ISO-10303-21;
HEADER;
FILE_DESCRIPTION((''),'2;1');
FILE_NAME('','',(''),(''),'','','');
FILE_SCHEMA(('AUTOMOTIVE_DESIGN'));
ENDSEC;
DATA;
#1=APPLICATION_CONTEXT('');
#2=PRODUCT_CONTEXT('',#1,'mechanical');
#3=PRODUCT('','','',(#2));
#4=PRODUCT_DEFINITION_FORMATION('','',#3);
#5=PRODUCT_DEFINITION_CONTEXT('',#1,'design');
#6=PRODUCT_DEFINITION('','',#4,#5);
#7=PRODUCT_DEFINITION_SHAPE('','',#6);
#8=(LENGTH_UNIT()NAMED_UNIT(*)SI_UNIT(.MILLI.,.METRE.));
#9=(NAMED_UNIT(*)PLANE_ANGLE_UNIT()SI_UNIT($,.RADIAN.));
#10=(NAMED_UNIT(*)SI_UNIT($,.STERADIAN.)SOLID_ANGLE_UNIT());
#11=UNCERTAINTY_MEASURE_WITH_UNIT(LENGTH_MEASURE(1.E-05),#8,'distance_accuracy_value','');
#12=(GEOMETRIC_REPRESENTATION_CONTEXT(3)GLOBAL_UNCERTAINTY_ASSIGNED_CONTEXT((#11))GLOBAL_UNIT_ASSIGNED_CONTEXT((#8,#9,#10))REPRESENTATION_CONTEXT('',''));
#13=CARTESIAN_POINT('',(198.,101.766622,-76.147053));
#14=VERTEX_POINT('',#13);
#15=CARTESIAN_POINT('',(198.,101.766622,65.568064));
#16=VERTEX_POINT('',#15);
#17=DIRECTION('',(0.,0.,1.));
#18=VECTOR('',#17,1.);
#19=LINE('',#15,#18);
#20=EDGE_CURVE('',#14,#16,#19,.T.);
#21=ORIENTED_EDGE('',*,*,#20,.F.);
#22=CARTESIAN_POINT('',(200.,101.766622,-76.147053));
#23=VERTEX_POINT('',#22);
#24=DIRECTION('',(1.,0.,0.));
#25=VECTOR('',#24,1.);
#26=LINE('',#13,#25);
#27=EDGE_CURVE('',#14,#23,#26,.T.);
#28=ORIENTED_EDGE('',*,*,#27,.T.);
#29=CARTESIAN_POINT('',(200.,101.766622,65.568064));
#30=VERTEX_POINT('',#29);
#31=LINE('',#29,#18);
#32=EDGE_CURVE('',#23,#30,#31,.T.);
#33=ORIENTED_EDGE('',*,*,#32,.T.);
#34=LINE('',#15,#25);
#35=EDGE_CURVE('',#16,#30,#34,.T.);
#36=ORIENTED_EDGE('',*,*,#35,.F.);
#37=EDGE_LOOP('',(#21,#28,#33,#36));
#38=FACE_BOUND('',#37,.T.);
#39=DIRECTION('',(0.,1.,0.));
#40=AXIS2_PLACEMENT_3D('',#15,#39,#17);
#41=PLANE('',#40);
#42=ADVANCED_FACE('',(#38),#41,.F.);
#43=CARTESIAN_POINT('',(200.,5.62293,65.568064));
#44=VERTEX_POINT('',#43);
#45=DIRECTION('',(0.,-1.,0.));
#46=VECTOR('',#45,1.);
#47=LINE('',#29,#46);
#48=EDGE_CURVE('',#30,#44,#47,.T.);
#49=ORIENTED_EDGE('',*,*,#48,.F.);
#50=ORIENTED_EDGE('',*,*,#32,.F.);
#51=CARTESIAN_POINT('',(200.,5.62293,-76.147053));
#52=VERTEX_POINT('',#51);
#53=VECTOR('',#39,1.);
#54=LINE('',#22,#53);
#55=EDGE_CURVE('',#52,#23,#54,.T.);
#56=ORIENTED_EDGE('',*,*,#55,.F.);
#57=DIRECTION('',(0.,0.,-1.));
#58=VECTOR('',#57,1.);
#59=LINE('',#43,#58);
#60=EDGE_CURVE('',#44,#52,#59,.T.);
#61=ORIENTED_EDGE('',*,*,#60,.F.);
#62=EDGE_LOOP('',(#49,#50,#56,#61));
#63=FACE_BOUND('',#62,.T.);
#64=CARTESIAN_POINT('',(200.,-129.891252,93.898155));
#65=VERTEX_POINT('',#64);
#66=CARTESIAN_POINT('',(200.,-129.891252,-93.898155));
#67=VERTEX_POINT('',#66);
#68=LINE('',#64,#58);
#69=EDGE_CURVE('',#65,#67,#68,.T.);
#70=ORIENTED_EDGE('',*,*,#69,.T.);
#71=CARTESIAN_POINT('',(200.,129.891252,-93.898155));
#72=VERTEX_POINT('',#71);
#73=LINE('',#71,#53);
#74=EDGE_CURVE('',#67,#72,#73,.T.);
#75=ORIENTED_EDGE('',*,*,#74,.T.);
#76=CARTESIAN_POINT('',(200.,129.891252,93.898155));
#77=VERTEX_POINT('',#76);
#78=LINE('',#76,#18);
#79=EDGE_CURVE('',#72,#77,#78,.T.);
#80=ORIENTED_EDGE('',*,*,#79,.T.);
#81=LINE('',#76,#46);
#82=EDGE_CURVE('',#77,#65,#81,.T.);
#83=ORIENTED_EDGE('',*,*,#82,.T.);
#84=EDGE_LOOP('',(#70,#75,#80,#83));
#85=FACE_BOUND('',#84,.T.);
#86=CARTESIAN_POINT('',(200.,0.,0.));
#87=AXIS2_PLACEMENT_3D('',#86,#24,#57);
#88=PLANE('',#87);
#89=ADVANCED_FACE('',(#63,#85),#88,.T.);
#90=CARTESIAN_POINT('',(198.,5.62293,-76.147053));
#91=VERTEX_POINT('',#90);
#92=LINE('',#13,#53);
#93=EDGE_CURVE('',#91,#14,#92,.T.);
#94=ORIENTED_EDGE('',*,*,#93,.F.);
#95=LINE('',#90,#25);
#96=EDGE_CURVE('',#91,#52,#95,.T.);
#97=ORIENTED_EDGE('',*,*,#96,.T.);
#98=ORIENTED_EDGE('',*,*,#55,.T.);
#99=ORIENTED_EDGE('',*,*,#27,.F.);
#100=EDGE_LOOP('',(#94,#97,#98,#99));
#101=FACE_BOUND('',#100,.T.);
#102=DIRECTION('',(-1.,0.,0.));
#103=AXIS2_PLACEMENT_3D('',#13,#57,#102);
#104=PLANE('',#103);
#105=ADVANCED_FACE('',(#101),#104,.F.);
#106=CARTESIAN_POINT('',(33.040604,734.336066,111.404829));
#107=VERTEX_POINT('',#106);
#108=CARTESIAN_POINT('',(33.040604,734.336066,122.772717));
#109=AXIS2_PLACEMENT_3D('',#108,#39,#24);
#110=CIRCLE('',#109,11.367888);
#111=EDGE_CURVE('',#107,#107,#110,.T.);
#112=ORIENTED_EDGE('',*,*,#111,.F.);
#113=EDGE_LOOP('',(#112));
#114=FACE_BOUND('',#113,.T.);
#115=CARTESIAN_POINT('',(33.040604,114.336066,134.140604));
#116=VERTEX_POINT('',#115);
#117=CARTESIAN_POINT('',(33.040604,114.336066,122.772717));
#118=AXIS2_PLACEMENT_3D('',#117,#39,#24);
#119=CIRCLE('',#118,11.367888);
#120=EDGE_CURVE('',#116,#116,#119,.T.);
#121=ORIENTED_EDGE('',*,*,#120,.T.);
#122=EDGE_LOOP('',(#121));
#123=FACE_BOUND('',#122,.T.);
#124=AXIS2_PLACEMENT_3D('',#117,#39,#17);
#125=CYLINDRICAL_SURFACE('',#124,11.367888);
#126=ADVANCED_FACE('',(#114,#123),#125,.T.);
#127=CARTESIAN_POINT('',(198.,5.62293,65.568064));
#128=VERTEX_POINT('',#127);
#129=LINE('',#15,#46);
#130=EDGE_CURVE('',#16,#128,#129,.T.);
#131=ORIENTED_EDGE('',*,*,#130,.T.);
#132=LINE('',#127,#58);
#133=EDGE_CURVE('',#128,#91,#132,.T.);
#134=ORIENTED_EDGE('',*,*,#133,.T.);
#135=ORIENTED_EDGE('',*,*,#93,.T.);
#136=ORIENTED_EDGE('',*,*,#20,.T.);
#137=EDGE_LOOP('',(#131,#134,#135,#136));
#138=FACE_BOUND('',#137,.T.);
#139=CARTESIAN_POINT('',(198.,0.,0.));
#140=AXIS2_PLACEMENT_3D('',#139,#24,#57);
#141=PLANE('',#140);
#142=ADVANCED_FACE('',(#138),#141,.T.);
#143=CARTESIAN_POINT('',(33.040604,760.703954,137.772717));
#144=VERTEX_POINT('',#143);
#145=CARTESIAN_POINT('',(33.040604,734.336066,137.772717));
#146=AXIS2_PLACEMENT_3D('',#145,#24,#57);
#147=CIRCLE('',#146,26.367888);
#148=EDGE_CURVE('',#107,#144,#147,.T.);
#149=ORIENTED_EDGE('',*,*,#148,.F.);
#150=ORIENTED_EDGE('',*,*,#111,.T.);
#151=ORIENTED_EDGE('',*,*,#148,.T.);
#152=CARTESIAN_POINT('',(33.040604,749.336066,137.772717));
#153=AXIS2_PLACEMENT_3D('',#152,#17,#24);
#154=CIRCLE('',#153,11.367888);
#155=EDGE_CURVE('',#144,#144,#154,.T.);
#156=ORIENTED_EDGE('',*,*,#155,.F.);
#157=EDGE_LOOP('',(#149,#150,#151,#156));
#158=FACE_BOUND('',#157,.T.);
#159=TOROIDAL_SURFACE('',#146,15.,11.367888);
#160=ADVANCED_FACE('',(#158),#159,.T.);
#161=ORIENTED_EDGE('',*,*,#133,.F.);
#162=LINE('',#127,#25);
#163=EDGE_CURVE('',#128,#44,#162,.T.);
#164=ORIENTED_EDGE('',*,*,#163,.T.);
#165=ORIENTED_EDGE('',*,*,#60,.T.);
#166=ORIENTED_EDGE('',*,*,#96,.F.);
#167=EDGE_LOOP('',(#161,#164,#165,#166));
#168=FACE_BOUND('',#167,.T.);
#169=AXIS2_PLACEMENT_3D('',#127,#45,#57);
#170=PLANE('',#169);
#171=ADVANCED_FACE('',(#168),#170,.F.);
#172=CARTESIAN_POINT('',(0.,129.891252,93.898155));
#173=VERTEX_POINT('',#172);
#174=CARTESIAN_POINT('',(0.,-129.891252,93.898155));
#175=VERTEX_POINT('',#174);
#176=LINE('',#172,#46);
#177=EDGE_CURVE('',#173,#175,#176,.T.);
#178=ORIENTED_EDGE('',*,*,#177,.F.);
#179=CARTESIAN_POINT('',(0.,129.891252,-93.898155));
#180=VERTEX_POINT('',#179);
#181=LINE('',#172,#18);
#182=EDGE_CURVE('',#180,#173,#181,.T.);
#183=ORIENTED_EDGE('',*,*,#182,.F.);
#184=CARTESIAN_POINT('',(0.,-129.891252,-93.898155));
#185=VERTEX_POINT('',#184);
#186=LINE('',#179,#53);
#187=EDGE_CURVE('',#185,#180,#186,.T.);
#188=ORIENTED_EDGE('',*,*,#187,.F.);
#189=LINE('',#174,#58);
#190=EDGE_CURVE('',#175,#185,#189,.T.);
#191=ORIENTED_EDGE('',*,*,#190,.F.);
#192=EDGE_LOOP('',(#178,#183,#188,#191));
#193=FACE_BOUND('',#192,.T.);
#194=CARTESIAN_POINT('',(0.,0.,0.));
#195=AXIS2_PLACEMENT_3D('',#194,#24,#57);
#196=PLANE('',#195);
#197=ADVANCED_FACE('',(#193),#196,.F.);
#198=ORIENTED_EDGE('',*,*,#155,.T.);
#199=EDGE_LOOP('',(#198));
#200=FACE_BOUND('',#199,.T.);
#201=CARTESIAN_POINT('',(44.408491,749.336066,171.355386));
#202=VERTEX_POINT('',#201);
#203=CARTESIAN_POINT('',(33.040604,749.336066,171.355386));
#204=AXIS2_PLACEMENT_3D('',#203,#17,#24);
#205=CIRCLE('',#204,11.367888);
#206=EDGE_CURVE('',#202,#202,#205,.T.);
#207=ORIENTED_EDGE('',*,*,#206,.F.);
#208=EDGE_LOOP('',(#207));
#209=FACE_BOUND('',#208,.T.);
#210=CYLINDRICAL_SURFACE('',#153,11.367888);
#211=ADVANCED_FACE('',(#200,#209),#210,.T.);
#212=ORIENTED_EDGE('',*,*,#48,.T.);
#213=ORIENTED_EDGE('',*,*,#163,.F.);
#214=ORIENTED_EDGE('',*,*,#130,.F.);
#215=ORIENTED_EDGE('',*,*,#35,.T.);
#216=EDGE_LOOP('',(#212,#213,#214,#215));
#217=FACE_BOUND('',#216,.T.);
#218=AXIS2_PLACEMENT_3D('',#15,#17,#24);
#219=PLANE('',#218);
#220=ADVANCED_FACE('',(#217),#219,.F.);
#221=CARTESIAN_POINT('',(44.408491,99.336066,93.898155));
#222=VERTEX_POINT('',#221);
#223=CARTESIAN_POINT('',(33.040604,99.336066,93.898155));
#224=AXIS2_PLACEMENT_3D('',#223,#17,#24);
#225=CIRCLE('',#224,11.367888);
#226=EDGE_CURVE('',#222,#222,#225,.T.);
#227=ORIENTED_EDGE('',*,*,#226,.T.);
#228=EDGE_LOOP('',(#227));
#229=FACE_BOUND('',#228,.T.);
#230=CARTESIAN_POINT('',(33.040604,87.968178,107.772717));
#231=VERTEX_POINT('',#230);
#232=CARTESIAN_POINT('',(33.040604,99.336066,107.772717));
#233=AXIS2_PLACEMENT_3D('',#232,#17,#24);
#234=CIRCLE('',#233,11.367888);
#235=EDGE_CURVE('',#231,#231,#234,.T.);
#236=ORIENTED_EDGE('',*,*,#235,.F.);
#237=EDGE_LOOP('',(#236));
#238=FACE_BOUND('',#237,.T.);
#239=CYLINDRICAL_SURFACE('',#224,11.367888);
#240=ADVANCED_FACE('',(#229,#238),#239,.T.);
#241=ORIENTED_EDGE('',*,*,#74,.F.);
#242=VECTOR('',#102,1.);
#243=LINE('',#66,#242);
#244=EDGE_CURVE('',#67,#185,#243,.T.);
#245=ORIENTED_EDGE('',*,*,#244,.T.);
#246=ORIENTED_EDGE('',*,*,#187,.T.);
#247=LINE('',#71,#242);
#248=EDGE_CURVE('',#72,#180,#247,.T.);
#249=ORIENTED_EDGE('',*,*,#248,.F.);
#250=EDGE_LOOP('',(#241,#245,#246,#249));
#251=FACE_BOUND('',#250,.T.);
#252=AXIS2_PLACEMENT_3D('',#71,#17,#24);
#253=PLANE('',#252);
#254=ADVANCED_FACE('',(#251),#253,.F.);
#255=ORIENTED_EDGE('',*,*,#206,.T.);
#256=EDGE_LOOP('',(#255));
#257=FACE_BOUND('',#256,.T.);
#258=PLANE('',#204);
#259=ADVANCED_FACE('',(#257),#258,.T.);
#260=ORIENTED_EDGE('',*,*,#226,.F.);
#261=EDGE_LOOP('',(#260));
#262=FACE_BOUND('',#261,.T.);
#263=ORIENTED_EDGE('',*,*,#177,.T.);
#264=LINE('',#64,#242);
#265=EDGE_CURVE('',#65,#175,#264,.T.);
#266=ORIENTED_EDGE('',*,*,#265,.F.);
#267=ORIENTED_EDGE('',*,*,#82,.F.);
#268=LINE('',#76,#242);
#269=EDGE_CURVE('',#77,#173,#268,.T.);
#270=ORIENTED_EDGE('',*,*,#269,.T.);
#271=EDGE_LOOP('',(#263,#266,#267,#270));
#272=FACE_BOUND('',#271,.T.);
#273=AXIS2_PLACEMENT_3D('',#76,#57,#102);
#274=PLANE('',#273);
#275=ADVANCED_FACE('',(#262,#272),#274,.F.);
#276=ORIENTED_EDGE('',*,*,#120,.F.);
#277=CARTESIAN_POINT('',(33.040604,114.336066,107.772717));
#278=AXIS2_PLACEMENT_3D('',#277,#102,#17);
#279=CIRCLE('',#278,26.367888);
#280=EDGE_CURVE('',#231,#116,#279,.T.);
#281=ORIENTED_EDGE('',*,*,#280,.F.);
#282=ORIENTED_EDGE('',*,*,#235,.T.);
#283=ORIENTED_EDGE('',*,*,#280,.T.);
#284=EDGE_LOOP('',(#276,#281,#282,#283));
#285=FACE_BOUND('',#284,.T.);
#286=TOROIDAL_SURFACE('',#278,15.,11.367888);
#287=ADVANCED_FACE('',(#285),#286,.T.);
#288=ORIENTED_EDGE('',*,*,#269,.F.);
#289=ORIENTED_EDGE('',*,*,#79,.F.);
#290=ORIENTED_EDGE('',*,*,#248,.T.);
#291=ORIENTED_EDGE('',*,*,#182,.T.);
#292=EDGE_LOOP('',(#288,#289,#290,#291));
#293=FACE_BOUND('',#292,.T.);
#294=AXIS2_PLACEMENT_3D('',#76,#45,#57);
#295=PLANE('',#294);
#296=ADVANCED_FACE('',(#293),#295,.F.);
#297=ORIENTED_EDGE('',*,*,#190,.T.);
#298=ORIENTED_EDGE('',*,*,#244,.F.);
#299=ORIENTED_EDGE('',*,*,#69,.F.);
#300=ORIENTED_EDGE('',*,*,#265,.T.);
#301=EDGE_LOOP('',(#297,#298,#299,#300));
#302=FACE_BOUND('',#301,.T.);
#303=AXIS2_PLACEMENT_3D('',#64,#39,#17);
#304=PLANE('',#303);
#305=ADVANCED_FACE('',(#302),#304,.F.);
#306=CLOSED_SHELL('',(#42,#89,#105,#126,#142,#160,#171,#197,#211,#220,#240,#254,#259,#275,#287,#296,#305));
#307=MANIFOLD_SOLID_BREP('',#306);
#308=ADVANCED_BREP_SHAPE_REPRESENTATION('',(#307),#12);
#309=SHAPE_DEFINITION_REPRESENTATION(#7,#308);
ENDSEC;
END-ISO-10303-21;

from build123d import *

# Parameters (mm, degrees)
SKETCH1_W           = 187.796310486
SKETCH1_H           = 259.782504146
BOSS_EXTRUDE1_DEPTH = 200
SKETCH2_W           = 141.715117515
SKETCH2_H           = 96.14369286
CUT_EXTRUDE1_DEPTH  = 2
SKETCH3_R           = 11.367887844


with BuildPart() as part:
    # Sketch1 → Boss-Extrude1 (new body)
    with BuildSketch(Plane(origin=(0, 0, 0), x_dir=(0, 0, -1), z_dir=(1, 0, 0))):
        Rectangle(SKETCH1_W, SKETCH1_H)
    extrude(amount=BOSS_EXTRUDE1_DEPTH)

    # Sketch2 → Cut-Extrude1 (cut)
    with BuildSketch(Plane(origin=(200, 0, 0), x_dir=(0, 0, -1), z_dir=(1, 0, 0))):
        with Locations((5.289494402, 53.694775969)):
            Rectangle(SKETCH2_W, SKETCH2_H)
    extrude(amount=-CUT_EXTRUDE1_DEPTH, mode=Mode.SUBTRACT)

    # Sweep3: sweep along a curve in space
    with BuildLine() as sweep3_path:
        Line((33.040603642, 99.336066007, 93.898155243), (33.040603642, 99.336066007, 107.772716538))
        ThreePointArc((33.040603642, 114.336066007, 122.772716538), (33.040603642, 103.729464289, 118.379318255), (33.040603642, 99.336066007, 107.772716538))
        Line((33.040603642, 114.336066007, 122.772716538), (33.040603642, 734.336066007, 122.772716538))
        ThreePointArc((33.040603642, 734.336066007, 122.772716538), (33.040603642, 744.942667725, 127.16611482), (33.040603642, 749.336066007, 137.772716538))
        Line((33.040603642, 749.336066007, 137.772716538), (33.040603642, 749.336066007, 171.355386401))
    # Sketch3 → Sweep3 (sweep)
    with BuildSketch(Plane.XY.offset(93.898155243)):
        with Locations((33.040603642, 99.336066007)):
            Circle(SKETCH3_R)
    sweep(path=sweep3_path.line)


solid = part.part
